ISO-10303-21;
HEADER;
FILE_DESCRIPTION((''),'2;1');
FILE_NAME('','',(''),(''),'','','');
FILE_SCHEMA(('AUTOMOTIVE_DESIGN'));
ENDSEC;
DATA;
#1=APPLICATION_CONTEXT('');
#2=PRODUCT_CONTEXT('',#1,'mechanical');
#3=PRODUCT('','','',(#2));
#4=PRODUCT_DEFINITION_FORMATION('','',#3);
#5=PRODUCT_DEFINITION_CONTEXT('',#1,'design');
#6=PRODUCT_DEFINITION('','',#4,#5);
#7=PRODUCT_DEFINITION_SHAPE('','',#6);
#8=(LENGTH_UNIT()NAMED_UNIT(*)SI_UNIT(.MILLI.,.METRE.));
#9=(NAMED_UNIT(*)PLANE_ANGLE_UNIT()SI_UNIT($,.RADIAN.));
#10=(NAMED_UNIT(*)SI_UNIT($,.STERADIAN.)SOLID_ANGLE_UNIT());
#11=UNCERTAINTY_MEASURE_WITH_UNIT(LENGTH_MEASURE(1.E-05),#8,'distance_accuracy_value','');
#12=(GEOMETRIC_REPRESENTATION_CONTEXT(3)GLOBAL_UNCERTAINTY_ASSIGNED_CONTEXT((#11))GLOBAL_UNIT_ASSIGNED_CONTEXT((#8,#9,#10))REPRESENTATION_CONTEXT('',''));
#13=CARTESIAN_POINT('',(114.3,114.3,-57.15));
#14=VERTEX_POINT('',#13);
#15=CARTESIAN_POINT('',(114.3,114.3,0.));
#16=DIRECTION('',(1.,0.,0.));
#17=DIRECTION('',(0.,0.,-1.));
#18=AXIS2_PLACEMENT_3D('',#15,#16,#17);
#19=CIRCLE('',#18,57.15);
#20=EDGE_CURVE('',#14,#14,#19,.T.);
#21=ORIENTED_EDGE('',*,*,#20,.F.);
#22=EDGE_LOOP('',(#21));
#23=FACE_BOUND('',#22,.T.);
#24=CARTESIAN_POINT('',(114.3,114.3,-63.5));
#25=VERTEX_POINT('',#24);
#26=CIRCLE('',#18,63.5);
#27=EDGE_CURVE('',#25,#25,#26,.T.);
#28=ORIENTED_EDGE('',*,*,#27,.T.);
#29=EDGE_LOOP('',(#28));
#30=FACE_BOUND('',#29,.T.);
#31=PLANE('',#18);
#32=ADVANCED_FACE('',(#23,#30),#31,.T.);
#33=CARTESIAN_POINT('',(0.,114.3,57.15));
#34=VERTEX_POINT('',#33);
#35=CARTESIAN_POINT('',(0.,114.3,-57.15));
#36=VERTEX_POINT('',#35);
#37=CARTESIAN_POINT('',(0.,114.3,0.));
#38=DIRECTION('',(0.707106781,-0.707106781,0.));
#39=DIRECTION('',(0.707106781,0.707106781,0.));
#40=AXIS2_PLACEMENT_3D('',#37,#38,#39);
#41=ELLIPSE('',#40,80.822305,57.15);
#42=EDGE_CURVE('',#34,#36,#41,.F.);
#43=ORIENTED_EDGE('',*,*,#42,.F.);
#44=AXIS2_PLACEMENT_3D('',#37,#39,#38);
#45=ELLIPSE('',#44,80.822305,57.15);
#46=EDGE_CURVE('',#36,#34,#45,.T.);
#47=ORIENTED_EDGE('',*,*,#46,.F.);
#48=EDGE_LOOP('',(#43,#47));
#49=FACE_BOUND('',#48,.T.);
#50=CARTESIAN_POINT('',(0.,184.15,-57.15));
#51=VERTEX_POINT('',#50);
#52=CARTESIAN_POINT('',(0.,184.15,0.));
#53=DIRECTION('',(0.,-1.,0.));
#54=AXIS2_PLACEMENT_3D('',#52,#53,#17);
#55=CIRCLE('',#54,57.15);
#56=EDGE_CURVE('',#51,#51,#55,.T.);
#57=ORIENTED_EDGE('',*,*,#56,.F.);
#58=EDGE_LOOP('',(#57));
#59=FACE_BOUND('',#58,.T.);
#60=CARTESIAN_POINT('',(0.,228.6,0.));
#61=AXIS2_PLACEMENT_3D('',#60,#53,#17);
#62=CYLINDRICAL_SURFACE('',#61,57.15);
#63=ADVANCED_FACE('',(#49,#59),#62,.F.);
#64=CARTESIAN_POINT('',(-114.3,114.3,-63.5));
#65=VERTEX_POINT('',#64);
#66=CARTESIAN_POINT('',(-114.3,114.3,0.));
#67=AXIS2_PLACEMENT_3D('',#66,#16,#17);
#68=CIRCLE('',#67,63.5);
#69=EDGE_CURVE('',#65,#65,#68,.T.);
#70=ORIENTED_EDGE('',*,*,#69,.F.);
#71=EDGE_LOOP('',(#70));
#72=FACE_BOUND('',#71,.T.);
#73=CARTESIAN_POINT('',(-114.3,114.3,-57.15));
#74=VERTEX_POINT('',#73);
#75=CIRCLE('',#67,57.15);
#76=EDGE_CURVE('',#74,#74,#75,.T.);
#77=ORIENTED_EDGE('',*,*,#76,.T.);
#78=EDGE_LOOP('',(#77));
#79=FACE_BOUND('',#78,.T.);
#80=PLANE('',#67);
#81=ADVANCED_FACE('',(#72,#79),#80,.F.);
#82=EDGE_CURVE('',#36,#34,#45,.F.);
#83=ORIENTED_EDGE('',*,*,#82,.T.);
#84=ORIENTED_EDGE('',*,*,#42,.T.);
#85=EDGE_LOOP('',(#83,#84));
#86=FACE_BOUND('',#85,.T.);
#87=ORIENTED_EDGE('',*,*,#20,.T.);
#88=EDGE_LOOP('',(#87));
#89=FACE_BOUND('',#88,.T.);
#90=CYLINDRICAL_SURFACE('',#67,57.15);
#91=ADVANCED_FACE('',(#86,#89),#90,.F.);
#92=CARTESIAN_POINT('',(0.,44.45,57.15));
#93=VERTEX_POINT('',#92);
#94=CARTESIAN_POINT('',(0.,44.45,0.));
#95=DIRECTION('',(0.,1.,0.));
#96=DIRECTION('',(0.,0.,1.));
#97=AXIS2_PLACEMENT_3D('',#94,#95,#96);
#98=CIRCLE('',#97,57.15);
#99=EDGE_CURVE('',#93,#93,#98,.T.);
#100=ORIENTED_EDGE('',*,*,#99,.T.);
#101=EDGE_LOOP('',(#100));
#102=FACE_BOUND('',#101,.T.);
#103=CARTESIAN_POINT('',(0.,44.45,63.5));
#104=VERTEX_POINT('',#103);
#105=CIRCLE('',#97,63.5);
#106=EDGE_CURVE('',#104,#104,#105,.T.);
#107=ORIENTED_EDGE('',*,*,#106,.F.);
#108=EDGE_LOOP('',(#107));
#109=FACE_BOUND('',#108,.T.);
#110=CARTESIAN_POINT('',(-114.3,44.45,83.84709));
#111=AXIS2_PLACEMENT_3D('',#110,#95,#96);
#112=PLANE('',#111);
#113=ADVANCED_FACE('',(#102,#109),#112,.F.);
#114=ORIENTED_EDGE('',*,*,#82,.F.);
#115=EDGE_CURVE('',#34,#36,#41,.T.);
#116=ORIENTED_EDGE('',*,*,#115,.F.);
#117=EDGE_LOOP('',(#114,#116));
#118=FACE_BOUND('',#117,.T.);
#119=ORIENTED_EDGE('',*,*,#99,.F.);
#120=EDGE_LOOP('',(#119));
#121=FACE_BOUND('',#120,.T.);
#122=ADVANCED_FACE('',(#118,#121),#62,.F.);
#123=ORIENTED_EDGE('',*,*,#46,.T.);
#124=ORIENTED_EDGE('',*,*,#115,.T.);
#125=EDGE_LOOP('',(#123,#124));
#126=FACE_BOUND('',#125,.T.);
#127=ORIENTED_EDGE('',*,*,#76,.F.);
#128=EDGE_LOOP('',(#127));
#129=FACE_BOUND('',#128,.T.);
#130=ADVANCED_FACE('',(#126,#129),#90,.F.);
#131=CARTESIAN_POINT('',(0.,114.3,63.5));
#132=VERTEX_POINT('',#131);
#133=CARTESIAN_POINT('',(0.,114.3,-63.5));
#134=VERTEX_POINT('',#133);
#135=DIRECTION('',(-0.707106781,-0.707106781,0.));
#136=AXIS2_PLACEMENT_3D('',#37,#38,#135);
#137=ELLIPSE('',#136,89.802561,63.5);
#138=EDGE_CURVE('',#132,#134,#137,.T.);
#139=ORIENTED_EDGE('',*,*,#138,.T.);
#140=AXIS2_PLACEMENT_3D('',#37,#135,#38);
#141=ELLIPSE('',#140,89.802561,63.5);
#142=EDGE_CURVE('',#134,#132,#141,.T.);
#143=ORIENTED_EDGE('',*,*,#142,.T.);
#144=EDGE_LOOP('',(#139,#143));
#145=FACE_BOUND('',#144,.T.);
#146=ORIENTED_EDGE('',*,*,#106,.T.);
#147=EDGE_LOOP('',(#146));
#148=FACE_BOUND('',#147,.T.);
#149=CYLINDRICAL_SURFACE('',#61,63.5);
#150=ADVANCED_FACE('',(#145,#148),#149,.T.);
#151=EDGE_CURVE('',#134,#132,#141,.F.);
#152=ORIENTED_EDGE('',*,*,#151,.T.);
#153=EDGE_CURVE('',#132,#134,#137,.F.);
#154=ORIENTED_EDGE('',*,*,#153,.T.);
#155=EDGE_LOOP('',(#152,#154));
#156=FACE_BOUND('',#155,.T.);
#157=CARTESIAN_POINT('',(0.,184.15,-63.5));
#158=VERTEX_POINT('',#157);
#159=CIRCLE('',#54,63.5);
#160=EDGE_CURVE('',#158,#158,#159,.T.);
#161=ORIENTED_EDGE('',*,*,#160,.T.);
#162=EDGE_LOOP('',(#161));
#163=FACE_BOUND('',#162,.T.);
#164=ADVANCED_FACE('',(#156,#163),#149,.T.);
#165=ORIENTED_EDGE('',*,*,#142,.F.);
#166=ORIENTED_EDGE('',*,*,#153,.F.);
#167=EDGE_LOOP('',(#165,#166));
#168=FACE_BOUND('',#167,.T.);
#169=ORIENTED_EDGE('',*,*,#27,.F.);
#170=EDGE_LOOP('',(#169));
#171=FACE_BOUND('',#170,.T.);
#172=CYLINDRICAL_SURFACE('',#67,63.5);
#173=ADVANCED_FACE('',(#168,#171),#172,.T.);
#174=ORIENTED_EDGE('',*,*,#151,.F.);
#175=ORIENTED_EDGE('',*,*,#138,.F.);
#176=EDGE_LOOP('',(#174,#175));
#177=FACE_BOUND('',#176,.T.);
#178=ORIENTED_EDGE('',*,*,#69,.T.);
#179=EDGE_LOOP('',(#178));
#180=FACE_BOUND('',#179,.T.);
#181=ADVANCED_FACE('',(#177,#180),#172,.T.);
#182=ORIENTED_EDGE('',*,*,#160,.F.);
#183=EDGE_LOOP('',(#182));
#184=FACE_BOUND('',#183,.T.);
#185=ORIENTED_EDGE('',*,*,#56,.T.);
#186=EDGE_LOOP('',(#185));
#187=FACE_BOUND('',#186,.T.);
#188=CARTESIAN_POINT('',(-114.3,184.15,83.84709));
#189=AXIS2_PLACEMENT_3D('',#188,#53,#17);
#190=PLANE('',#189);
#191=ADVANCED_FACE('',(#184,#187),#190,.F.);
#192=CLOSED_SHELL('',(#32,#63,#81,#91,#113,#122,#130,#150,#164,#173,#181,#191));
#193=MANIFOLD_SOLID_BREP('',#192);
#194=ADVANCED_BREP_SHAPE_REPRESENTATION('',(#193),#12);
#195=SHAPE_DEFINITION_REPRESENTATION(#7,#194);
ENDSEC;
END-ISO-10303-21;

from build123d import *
from build123d.topology import SkipClean

# Parameters (mm, degrees)
SKETCH2_R                = 63.5
SKETCH2_R_2              = 57.15
BOSS_EXTRUDE1_DEPTH      = 228.6
BOSS_EXTRUDE2_DEPTH      = 114.3
BOSS_EXTRUDE2_DEPTH_BACK = 114.3
SKETCH3_R                = 63.5
SKETCH3_R_2              = 57.15
SKETCH4_R                = 57.15
CUT_EXTRUDE1_DEPTH       = 330.466493124
SKETCH5_R                = 57.15
CUT_EXTRUDE2_DEPTH       = 264.352805317
CUT_EXTRUDE3_DEPTH       = 264.352805317
CUT_EXTRUDE3_DEPTH_BACK  = 264.352805317
SKETCH6_W                = 187.910276351
SKETCH6_H                = 55.092106145
SKETCH6_W_2              = 179.956402219
SKETCH6_H_2              = 52.109403346


with BuildPart() as part:
    # Sketch2 → Boss-Extrude1 (new body)
    with BuildSketch(Plane(origin=(0, 0, 0), x_dir=(1, 0, 0), z_dir=(0, 1, 0))):
        Circle(SKETCH2_R)
        Circle(SKETCH2_R_2, mode=Mode.SUBTRACT)
    extrude(amount=BOSS_EXTRUDE1_DEPTH)

    # Sketch3 → Boss-Extrude2 (add, two sides: drawn at the far end of the back side and taken through both)
    with BuildSketch(Plane(origin=(0, 0, 0), x_dir=(0, 0, -1), z_dir=(1, 0, 0)).offset(-BOSS_EXTRUDE2_DEPTH_BACK)):
        with Locations((0, 114.3)):
            Circle(SKETCH3_R)
        with Locations((0, 114.3)):
            Circle(SKETCH3_R_2, mode=Mode.SUBTRACT)
    extrude(amount=BOSS_EXTRUDE2_DEPTH + BOSS_EXTRUDE2_DEPTH_BACK)

    # Sketch4 → Cut-Extrude1 (cut, through all)
    with BuildSketch(Plane.ZY.offset(114.3)):
        with Locations((0, 114.3)):
            Circle(SKETCH4_R)
    extrude(amount=-CUT_EXTRUDE1_DEPTH, mode=Mode.SUBTRACT)

    # Sketch5 → Cut-Extrude2 (cut, through all)
    with SkipClean():  # the faces are left unmerged after this step: merging them gives an invalid solid
        with BuildSketch(Plane(origin=(0, 228.6, 0), x_dir=(1, 0, 0), z_dir=(0, 1, 0))):
            Circle(SKETCH5_R)
        extrude(amount=-CUT_EXTRUDE2_DEPTH, mode=Mode.SUBTRACT)

    # Sketch6 → Cut-Extrude3 (cut, two sides: drawn at the far end of the back side and taken through both)
    with SkipClean():  # the faces are left unmerged after this step: merging them gives an invalid solid
        with BuildSketch(Plane(origin=(0, 0, 0), x_dir=(0, 0, -1), z_dir=(1, 0, 0)).offset(-CUT_EXTRUDE3_DEPTH_BACK)):
            with Locations((10.108048375, 211.696053073)):
                Rectangle(SKETCH6_W, SKETCH6_H)
            with Locations((6.131111309, 18.395298327)):
                Rectangle(SKETCH6_W_2, SKETCH6_H_2)
        extrude(amount=CUT_EXTRUDE3_DEPTH + CUT_EXTRUDE3_DEPTH_BACK, mode=Mode.SUBTRACT)


solid = part.part
